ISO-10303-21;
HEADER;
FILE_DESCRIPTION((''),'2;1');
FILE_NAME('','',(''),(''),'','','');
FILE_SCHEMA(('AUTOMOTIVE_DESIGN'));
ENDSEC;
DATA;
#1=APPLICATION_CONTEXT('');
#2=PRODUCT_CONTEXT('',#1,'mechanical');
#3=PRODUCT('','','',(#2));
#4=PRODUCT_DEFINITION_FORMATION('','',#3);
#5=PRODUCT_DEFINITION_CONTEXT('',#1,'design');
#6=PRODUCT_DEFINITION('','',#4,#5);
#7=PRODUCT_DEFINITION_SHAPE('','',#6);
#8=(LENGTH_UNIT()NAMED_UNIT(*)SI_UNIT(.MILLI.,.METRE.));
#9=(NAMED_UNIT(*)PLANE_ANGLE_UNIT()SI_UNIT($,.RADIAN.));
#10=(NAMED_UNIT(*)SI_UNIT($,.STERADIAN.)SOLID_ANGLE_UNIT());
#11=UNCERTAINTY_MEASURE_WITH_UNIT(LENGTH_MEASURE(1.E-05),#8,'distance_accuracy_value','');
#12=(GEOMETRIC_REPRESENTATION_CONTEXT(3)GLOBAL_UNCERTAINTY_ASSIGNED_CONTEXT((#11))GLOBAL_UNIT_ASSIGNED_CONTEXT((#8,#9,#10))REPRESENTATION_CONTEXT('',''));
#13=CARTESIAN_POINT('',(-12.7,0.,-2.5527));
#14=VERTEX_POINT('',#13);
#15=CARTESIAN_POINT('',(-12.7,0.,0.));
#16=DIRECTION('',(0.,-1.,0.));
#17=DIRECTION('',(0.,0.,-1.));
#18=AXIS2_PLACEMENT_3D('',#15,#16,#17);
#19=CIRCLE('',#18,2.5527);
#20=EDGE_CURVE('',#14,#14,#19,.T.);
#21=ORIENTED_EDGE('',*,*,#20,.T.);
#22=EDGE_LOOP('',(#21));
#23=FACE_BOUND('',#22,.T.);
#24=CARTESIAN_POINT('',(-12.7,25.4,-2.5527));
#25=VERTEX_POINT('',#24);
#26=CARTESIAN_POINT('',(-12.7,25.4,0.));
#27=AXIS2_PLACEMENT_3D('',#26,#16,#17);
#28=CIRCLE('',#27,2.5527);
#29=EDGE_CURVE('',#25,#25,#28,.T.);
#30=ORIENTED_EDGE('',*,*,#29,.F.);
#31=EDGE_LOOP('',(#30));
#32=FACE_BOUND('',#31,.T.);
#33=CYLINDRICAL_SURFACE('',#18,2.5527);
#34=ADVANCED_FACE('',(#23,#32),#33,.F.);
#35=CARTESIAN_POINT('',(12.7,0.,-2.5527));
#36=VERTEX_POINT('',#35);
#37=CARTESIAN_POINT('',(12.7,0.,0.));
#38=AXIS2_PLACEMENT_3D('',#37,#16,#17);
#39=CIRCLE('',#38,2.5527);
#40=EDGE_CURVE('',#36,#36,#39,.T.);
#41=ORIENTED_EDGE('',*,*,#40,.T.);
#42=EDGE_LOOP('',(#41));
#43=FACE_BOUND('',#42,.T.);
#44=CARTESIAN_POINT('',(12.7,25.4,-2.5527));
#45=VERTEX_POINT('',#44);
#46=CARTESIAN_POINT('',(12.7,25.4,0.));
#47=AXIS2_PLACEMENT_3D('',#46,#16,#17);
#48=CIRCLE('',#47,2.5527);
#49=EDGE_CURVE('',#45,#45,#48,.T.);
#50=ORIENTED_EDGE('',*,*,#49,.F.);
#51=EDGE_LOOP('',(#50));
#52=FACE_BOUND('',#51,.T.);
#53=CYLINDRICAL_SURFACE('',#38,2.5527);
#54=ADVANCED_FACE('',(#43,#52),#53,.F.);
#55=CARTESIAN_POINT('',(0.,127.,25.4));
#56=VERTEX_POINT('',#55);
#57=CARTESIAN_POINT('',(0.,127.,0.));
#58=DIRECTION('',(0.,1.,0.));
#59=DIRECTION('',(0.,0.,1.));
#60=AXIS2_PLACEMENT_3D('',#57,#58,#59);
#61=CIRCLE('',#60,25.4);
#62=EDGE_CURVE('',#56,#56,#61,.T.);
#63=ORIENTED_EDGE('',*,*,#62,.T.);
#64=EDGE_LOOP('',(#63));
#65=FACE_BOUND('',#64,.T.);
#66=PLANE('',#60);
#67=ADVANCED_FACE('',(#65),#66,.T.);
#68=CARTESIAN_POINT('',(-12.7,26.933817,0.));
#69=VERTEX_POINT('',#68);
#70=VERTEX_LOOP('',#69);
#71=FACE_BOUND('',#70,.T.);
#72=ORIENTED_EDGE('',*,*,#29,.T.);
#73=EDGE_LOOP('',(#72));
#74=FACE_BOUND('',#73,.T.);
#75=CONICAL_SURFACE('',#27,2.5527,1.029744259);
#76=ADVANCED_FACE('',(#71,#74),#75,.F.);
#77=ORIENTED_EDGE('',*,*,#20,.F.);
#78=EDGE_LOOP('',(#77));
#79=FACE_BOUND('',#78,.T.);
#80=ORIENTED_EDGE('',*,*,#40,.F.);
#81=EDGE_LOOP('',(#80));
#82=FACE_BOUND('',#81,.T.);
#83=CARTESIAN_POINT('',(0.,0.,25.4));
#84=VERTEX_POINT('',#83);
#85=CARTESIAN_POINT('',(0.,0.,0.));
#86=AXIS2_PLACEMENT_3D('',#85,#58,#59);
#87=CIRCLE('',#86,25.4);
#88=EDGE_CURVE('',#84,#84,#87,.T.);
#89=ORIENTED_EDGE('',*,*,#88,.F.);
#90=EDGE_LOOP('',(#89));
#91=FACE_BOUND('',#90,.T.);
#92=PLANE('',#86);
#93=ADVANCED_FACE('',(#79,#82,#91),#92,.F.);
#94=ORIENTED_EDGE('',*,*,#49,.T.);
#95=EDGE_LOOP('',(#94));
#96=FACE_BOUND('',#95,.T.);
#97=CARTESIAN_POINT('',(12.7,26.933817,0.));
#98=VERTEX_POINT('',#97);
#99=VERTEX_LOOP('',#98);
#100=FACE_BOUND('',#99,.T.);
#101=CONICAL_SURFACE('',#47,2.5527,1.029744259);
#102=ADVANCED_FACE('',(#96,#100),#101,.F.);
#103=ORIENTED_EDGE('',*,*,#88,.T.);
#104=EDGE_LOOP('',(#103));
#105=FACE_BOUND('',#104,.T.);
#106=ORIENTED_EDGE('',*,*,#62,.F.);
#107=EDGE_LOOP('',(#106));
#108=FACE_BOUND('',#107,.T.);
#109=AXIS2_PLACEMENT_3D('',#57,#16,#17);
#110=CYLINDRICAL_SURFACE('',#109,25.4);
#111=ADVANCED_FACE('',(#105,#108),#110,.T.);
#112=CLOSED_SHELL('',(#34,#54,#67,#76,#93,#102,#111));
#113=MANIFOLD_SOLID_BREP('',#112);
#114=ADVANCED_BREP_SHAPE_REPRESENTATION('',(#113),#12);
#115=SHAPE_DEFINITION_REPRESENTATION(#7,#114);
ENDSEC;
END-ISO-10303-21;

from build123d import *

# Parameters (mm, degrees)
SKETCH1_R                   = 25.4
BOSS_EXTRUDE1_DEPTH         = 127
F_1_4_20_TAPPED_HOLE1_D     = 5.1054
F_1_4_20_TAPPED_HOLE1_DEPTH = 25.4
F_1_4_20_TAPPED_HOLE1_TIP   = 1.533816902


with BuildPart() as part:
    # Sketch1 → Boss-Extrude1 (new body)
    with BuildSketch(Plane(origin=(0, 0, 0), x_dir=(1, 0, 0), z_dir=(0, 1, 0))):
        Circle(SKETCH1_R)
    extrude(amount=BOSS_EXTRUDE1_DEPTH)

    # 1/4-20 Tapped Hole1
    with Locations(Plane(origin=(0, 0, 0), x_dir=(-1, 0, 0), z_dir=(0, -1, 0))):
        with Locations((12.7, 0), (-12.7, 0)):
            Hole(F_1_4_20_TAPPED_HOLE1_D / 2, depth=F_1_4_20_TAPPED_HOLE1_DEPTH)
            with Locations((0, 0, -(F_1_4_20_TAPPED_HOLE1_DEPTH + F_1_4_20_TAPPED_HOLE1_TIP / 2))):  # 118° drill point
                Cone(0, F_1_4_20_TAPPED_HOLE1_D / 2, F_1_4_20_TAPPED_HOLE1_TIP, mode=Mode.SUBTRACT)


solid = part.part
